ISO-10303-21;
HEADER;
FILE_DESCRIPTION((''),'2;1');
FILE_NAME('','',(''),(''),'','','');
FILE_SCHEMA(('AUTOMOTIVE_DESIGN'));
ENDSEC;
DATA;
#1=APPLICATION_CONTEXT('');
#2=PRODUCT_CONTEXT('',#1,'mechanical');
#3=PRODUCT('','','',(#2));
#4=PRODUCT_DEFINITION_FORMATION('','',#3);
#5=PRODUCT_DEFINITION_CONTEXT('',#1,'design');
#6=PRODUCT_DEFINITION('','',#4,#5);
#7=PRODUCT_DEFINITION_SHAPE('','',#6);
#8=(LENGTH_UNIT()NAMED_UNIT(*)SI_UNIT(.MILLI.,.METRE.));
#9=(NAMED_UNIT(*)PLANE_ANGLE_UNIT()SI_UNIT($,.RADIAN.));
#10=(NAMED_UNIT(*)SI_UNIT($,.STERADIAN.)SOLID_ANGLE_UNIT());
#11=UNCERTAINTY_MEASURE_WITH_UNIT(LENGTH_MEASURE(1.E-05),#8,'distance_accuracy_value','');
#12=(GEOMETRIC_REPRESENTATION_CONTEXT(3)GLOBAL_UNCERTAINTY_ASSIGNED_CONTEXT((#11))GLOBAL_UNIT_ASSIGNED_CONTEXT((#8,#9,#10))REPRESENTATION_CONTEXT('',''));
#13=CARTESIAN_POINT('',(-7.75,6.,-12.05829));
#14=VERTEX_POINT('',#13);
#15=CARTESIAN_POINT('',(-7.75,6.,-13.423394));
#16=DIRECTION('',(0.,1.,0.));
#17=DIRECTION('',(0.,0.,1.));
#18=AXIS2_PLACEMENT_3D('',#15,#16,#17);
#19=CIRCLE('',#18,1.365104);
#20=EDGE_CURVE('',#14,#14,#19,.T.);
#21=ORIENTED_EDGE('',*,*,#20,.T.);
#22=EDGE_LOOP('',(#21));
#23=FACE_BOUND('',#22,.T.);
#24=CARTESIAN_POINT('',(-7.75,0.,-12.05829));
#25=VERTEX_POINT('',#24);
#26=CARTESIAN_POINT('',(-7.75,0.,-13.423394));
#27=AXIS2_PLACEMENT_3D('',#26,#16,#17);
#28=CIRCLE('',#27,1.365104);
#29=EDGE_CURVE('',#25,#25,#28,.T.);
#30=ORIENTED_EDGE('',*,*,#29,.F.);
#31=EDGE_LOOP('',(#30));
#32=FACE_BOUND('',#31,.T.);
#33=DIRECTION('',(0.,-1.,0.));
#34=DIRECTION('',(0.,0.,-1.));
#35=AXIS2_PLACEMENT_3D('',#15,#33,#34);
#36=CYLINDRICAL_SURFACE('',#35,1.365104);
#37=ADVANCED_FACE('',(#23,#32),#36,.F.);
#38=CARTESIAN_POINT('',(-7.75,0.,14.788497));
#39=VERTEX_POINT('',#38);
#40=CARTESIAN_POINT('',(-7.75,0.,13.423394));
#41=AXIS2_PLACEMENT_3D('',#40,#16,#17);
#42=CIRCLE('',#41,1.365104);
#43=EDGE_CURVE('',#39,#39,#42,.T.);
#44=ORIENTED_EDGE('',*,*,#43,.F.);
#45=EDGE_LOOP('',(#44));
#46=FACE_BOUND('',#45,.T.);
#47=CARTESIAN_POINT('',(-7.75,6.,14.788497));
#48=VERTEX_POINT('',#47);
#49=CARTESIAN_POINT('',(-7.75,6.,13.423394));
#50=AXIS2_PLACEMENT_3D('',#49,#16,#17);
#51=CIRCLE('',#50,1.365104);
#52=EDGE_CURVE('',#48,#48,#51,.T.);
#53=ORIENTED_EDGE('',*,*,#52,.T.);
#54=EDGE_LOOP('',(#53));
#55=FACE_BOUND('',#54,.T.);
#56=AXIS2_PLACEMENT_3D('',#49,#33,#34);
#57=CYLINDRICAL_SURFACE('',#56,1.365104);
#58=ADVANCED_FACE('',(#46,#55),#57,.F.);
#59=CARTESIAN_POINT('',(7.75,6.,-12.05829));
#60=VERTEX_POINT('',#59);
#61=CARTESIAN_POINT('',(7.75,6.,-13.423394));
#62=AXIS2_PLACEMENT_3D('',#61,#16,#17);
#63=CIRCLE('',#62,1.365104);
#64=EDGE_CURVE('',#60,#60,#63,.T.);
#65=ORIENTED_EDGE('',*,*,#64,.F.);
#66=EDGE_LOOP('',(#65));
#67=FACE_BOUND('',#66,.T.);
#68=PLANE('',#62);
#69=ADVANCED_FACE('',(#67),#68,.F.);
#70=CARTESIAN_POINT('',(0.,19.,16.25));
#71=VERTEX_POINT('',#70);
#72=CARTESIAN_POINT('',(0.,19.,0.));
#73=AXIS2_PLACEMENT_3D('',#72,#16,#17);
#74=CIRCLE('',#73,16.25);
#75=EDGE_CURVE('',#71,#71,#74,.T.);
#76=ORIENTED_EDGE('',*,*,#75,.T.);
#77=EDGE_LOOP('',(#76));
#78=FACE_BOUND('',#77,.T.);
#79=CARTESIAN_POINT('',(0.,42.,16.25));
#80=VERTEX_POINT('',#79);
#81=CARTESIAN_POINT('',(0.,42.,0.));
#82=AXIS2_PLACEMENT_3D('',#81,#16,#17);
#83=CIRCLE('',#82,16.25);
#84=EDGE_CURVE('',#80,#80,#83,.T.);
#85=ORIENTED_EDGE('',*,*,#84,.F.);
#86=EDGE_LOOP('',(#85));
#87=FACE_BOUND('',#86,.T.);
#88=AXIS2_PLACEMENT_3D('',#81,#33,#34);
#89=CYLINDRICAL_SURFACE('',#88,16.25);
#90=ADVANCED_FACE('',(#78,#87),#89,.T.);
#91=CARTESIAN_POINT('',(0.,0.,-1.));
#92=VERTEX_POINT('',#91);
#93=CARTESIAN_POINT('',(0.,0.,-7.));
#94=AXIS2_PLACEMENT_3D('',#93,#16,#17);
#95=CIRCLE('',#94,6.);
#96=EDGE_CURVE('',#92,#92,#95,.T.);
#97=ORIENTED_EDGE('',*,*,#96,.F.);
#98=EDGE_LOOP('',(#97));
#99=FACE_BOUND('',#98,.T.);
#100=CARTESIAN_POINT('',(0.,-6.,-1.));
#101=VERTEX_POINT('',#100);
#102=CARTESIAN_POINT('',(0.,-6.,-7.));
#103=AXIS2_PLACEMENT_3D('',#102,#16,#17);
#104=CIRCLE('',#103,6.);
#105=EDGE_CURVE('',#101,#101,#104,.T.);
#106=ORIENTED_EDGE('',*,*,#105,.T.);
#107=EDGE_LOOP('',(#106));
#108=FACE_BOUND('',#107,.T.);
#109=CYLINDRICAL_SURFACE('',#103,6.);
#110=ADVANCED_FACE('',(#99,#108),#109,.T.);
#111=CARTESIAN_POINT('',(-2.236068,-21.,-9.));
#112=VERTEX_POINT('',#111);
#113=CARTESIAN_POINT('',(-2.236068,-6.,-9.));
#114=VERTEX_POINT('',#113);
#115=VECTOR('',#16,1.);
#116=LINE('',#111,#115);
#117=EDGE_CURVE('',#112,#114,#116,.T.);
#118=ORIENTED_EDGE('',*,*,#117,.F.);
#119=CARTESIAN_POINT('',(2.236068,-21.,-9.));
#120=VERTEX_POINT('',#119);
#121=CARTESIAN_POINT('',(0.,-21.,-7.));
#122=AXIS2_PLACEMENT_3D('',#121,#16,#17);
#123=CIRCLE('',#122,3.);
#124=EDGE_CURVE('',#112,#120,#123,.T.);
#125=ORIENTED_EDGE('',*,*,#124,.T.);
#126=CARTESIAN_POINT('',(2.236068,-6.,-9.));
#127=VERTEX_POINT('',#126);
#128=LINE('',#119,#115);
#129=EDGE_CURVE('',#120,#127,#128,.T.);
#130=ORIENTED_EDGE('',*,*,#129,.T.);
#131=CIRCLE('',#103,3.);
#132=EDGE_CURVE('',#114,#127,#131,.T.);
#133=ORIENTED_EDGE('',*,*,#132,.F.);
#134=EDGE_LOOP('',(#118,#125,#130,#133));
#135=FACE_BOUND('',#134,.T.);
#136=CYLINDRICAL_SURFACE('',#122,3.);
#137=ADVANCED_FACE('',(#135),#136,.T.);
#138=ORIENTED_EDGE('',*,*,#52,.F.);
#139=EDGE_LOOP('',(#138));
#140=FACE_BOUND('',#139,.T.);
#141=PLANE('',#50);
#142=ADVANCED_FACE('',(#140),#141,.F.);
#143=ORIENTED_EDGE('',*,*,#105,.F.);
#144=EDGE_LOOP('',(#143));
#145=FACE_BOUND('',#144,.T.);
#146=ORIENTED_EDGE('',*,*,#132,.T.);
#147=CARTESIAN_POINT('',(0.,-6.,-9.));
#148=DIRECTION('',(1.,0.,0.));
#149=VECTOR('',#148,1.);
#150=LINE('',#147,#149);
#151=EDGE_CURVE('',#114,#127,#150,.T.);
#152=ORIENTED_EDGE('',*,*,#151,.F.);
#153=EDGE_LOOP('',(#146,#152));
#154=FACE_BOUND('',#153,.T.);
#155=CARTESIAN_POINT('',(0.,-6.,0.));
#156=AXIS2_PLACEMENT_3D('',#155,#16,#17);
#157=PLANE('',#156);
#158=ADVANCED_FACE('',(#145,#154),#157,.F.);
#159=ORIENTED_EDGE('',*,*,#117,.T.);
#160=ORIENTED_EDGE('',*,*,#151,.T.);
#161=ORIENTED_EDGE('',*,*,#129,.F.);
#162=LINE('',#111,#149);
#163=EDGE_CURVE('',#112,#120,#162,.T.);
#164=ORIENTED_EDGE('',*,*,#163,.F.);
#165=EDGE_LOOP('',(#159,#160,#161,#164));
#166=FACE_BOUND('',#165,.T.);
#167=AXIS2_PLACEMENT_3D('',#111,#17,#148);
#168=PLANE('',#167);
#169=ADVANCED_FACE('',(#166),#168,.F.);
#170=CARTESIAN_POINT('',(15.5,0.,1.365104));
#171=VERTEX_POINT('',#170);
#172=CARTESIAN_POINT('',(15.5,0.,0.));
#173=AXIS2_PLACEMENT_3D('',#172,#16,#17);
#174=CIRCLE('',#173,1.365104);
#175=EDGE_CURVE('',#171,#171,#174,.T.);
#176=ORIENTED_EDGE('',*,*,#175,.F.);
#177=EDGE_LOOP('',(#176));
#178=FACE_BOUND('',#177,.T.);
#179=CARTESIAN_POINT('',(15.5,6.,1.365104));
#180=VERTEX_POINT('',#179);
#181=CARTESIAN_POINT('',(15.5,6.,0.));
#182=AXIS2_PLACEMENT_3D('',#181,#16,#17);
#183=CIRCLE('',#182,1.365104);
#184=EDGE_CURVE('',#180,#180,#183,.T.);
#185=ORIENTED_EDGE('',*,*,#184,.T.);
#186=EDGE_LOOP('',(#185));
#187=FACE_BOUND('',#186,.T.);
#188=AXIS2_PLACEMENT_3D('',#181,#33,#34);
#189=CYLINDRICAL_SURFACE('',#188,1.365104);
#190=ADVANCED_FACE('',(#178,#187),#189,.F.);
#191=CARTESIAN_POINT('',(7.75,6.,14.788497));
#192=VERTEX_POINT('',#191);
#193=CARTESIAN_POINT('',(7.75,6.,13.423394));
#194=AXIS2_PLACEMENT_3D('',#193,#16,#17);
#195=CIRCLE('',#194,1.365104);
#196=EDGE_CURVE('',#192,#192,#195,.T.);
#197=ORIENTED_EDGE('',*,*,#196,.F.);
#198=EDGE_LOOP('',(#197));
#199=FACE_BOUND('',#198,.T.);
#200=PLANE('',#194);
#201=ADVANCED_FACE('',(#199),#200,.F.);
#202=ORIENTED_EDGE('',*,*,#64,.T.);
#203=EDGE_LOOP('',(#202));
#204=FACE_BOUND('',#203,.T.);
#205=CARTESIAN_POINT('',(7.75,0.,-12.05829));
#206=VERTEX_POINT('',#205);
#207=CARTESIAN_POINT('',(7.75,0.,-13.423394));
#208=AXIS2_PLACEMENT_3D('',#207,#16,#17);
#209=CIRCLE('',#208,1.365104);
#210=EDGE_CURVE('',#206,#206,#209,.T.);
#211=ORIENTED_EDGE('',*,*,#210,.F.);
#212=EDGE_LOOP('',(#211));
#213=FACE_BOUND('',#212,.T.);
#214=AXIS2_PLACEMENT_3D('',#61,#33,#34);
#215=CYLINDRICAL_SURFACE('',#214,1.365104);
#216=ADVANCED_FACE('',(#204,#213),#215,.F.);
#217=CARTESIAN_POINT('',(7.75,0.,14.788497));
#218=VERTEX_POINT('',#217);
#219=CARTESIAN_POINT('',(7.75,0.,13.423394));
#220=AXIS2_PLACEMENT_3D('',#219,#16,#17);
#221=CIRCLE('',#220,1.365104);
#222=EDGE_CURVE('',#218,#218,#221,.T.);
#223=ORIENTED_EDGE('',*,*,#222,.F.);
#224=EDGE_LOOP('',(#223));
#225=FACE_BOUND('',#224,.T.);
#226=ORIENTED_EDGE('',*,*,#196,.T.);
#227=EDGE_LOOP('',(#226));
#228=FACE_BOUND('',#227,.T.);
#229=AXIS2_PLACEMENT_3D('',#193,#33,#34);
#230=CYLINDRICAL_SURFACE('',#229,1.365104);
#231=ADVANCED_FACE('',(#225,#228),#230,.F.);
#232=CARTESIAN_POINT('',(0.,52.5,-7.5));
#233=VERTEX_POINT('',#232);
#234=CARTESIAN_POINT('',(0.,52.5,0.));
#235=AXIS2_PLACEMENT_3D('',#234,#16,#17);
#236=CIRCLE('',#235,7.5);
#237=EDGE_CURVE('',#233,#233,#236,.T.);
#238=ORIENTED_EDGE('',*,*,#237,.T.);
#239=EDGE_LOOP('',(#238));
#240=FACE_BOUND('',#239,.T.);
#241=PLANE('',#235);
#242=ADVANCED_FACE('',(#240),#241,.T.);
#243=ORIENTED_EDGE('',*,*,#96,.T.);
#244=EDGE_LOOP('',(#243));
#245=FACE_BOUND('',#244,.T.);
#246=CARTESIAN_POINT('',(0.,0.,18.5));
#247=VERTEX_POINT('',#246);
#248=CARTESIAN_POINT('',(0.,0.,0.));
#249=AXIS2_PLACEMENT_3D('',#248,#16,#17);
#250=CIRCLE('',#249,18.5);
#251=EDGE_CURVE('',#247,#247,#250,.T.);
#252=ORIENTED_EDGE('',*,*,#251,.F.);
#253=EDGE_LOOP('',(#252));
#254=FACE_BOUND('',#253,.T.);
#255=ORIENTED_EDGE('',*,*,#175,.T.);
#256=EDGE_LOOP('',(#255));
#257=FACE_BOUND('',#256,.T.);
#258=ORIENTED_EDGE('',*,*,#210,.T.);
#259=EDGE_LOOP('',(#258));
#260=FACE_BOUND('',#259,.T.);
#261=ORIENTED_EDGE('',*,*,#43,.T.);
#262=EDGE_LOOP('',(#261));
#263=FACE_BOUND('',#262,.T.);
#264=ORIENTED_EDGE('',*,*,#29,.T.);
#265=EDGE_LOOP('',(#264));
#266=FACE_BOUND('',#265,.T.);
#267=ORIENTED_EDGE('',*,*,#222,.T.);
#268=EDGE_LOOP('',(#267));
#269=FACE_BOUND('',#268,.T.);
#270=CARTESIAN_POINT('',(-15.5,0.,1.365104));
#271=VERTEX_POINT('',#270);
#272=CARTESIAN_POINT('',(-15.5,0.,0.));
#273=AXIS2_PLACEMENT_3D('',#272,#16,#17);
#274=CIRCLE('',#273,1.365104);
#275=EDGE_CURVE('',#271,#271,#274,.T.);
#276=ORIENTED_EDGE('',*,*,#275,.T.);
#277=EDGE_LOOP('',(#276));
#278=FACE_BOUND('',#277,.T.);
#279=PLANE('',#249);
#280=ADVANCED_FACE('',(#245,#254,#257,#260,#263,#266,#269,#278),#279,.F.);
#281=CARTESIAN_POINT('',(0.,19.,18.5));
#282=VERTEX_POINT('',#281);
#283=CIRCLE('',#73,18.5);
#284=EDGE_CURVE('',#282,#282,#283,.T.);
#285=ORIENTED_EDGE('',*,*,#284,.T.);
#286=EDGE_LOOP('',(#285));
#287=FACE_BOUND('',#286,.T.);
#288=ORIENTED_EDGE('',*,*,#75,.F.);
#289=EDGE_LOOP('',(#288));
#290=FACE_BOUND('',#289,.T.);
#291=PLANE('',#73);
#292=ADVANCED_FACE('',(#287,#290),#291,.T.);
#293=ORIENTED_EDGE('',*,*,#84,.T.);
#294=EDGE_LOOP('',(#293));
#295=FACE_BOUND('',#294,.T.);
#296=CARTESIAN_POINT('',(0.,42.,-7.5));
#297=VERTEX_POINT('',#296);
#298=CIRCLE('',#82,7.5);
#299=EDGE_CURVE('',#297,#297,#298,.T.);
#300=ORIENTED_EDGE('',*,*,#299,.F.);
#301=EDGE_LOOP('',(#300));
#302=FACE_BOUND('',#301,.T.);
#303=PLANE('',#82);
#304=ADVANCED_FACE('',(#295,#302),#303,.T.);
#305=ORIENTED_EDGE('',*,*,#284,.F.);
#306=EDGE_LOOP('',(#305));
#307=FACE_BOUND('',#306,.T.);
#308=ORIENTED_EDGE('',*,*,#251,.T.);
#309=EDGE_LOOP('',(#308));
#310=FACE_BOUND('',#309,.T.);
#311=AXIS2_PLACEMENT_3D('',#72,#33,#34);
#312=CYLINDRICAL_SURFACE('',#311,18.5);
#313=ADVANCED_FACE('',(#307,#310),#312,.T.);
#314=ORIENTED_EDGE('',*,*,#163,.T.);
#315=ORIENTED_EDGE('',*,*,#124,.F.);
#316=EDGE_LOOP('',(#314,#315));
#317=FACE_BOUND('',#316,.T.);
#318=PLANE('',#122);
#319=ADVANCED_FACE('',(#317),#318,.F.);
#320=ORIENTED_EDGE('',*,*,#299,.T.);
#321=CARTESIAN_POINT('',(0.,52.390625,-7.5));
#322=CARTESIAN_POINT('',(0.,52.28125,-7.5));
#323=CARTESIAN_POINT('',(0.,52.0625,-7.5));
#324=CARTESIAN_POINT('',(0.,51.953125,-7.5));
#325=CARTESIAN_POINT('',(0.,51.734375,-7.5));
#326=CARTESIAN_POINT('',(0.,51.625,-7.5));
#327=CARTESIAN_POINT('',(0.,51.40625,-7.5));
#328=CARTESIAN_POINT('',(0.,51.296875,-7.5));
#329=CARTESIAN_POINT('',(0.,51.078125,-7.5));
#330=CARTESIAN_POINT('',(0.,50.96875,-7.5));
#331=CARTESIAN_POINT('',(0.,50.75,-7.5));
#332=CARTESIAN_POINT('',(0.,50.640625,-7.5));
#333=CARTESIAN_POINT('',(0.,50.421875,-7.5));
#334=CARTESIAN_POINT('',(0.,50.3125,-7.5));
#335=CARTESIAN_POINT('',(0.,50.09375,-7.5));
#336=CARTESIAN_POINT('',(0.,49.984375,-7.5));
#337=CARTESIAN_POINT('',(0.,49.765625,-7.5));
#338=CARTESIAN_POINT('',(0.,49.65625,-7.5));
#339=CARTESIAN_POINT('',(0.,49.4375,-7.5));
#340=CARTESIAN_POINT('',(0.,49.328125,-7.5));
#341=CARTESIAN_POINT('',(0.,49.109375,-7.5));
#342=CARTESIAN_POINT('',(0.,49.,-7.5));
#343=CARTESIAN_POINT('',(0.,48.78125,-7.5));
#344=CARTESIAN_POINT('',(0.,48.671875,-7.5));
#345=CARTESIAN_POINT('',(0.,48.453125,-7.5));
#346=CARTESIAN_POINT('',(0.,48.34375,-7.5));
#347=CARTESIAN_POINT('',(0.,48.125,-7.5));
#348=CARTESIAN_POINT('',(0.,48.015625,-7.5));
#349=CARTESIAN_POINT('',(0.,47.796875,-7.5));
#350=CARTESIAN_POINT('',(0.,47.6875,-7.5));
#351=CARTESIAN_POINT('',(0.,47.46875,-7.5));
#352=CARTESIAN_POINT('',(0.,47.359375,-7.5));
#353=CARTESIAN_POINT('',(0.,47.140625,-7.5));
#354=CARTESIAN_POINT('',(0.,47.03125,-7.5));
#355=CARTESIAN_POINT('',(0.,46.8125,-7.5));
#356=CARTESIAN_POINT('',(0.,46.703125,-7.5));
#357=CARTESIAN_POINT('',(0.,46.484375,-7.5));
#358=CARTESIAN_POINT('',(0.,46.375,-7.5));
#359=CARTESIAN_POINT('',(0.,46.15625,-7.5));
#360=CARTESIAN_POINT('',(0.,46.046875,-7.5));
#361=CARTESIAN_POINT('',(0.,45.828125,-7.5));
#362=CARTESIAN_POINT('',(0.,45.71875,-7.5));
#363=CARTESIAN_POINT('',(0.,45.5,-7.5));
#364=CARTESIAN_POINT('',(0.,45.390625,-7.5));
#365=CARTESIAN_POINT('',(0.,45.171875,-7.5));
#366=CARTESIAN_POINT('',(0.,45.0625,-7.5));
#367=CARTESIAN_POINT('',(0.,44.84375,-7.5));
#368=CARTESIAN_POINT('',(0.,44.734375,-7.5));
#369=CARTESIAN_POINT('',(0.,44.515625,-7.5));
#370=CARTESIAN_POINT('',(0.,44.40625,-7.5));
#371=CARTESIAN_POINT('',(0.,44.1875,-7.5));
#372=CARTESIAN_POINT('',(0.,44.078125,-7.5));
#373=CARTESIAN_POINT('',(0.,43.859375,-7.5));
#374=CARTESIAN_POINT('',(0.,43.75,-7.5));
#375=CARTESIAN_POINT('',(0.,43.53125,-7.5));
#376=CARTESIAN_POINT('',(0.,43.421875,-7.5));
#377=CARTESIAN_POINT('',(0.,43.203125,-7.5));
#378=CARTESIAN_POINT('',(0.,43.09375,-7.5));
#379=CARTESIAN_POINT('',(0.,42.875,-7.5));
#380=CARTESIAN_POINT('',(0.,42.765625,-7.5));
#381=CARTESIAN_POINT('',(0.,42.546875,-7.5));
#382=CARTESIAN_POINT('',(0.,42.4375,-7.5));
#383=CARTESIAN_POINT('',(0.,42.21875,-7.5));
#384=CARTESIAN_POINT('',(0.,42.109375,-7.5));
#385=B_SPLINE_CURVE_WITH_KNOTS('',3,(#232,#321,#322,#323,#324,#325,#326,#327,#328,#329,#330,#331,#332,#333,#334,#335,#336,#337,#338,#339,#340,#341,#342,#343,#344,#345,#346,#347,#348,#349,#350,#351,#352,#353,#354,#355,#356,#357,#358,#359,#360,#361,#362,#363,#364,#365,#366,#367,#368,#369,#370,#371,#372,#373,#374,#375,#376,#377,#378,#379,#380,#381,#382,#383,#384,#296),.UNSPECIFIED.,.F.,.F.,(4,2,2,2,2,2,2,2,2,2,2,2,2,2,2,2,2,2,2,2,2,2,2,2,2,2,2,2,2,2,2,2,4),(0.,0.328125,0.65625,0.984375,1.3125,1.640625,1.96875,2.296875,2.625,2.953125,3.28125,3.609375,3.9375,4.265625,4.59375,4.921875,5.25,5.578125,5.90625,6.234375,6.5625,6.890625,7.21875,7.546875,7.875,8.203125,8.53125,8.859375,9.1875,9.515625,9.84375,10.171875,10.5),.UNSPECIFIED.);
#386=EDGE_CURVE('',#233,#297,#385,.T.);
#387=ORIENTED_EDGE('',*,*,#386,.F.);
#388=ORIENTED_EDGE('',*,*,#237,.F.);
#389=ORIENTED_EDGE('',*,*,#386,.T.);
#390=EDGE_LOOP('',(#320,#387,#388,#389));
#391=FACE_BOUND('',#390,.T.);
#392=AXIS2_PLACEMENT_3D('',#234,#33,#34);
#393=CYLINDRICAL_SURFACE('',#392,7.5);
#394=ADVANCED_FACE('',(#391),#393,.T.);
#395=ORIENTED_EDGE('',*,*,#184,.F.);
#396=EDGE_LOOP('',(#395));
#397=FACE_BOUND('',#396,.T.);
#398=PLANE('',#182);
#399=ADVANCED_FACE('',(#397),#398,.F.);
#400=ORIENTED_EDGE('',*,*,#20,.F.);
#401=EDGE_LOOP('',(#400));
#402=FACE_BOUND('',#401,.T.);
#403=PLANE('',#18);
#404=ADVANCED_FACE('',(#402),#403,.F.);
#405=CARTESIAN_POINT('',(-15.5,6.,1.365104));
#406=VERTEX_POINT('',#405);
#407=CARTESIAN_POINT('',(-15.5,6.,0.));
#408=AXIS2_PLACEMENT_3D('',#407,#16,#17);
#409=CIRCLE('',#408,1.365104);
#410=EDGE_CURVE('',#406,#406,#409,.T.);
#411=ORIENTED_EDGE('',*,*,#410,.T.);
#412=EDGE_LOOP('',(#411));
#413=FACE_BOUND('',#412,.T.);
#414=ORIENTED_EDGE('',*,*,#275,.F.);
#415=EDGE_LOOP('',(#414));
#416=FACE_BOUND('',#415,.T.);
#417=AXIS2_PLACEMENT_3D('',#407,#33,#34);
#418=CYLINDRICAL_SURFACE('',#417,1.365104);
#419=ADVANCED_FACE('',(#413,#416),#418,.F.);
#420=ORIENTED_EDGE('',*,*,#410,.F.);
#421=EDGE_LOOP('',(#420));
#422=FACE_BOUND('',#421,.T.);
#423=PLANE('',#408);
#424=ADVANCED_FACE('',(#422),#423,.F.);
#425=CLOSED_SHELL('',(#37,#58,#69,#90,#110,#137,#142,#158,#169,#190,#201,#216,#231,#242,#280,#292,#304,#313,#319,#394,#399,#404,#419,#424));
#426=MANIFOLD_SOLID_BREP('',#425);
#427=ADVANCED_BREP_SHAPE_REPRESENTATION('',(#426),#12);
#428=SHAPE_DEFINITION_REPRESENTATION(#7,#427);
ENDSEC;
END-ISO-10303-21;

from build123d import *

# Parameters (mm, degrees)
SKETCH_1_R          = 18.5
EXTRUDE_4_DEPTH     = 19
SKETCH_1_4_R        = 6
EXTRUDE_5_DEPTH     = 6
EXTRUDE_6_DEPTH     = 21
SKETCH_1_6_R        = 1.365103645
CUT_EXTRUDE_2_DEPTH = 6
SKETCH_5_R          = 16.25
EXTRUDE_8_DEPTH     = 23
SKETCH_6_R          = 7.5
EXTRUDE_10_DEPTH    = 10.5


with BuildPart() as part:
    # 草图1 → 凸台-拉伸4 (new body)
    with BuildSketch(Plane(origin=(0, 0, 0), x_dir=(1, 0, 0), z_dir=(0, 1, 0))):
        Circle(SKETCH_1_R)
    extrude(amount=EXTRUDE_4_DEPTH)

    # 草图1<4> → 凸台-拉伸5 (add)
    with BuildSketch(Plane(origin=(0, 0, 0), x_dir=(1, 0, 0), z_dir=(0, 1, 0))):
        with Locations((0, 7)):
            Circle(SKETCH_1_4_R)
    extrude(amount=-EXTRUDE_5_DEPTH)

    # 草图1<5> → 凸台-拉伸6 (add)
    with BuildSketch(Plane(origin=(0, 0, 0), x_dir=(1, 0, 0), z_dir=(0, 1, 0))):
        with BuildLine():
            Line((-2.236067977, 9), (2.236067977, 9))
            ThreePointArc((2.236067977, 9), (0, 4), (-2.236067977, 9))
        make_face()
    extrude(amount=-EXTRUDE_6_DEPTH)

    # 草图1<6> → 切除-拉伸2 (cut)
    with BuildSketch(Plane(origin=(0, 0, 0), x_dir=(1, 0, 0), z_dir=(0, 1, 0))):
        with Locations((-15.5, 0)):
            Circle(SKETCH_1_6_R)
        with Locations((-7.75, 13.423393759)):
            Circle(SKETCH_1_6_R)
        with Locations((7.75, 13.423393759)):
            Circle(SKETCH_1_6_R)
        with Locations((15.5, 0)):
            Circle(SKETCH_1_6_R)
        with Locations((7.75, -13.423393759)):
            Circle(SKETCH_1_6_R)
        with Locations((-7.75, -13.423393759)):
            Circle(SKETCH_1_6_R)
    extrude(amount=CUT_EXTRUDE_2_DEPTH, mode=Mode.SUBTRACT)

    # 草图5 → 凸台-拉伸8 (add)
    with BuildSketch(Plane(origin=(0, 19, 0), x_dir=(1, 0, 0), z_dir=(0, 1, 0))):
        Circle(SKETCH_5_R)
    extrude(amount=EXTRUDE_8_DEPTH)

    # 草图6 → 凸台-拉伸10 (add)
    with BuildSketch(Plane(origin=(0, 42, 0), x_dir=(1, 0, 0), z_dir=(0, 1, 0))):
        Circle(SKETCH_6_R)
    extrude(amount=EXTRUDE_10_DEPTH)


solid = part.part
